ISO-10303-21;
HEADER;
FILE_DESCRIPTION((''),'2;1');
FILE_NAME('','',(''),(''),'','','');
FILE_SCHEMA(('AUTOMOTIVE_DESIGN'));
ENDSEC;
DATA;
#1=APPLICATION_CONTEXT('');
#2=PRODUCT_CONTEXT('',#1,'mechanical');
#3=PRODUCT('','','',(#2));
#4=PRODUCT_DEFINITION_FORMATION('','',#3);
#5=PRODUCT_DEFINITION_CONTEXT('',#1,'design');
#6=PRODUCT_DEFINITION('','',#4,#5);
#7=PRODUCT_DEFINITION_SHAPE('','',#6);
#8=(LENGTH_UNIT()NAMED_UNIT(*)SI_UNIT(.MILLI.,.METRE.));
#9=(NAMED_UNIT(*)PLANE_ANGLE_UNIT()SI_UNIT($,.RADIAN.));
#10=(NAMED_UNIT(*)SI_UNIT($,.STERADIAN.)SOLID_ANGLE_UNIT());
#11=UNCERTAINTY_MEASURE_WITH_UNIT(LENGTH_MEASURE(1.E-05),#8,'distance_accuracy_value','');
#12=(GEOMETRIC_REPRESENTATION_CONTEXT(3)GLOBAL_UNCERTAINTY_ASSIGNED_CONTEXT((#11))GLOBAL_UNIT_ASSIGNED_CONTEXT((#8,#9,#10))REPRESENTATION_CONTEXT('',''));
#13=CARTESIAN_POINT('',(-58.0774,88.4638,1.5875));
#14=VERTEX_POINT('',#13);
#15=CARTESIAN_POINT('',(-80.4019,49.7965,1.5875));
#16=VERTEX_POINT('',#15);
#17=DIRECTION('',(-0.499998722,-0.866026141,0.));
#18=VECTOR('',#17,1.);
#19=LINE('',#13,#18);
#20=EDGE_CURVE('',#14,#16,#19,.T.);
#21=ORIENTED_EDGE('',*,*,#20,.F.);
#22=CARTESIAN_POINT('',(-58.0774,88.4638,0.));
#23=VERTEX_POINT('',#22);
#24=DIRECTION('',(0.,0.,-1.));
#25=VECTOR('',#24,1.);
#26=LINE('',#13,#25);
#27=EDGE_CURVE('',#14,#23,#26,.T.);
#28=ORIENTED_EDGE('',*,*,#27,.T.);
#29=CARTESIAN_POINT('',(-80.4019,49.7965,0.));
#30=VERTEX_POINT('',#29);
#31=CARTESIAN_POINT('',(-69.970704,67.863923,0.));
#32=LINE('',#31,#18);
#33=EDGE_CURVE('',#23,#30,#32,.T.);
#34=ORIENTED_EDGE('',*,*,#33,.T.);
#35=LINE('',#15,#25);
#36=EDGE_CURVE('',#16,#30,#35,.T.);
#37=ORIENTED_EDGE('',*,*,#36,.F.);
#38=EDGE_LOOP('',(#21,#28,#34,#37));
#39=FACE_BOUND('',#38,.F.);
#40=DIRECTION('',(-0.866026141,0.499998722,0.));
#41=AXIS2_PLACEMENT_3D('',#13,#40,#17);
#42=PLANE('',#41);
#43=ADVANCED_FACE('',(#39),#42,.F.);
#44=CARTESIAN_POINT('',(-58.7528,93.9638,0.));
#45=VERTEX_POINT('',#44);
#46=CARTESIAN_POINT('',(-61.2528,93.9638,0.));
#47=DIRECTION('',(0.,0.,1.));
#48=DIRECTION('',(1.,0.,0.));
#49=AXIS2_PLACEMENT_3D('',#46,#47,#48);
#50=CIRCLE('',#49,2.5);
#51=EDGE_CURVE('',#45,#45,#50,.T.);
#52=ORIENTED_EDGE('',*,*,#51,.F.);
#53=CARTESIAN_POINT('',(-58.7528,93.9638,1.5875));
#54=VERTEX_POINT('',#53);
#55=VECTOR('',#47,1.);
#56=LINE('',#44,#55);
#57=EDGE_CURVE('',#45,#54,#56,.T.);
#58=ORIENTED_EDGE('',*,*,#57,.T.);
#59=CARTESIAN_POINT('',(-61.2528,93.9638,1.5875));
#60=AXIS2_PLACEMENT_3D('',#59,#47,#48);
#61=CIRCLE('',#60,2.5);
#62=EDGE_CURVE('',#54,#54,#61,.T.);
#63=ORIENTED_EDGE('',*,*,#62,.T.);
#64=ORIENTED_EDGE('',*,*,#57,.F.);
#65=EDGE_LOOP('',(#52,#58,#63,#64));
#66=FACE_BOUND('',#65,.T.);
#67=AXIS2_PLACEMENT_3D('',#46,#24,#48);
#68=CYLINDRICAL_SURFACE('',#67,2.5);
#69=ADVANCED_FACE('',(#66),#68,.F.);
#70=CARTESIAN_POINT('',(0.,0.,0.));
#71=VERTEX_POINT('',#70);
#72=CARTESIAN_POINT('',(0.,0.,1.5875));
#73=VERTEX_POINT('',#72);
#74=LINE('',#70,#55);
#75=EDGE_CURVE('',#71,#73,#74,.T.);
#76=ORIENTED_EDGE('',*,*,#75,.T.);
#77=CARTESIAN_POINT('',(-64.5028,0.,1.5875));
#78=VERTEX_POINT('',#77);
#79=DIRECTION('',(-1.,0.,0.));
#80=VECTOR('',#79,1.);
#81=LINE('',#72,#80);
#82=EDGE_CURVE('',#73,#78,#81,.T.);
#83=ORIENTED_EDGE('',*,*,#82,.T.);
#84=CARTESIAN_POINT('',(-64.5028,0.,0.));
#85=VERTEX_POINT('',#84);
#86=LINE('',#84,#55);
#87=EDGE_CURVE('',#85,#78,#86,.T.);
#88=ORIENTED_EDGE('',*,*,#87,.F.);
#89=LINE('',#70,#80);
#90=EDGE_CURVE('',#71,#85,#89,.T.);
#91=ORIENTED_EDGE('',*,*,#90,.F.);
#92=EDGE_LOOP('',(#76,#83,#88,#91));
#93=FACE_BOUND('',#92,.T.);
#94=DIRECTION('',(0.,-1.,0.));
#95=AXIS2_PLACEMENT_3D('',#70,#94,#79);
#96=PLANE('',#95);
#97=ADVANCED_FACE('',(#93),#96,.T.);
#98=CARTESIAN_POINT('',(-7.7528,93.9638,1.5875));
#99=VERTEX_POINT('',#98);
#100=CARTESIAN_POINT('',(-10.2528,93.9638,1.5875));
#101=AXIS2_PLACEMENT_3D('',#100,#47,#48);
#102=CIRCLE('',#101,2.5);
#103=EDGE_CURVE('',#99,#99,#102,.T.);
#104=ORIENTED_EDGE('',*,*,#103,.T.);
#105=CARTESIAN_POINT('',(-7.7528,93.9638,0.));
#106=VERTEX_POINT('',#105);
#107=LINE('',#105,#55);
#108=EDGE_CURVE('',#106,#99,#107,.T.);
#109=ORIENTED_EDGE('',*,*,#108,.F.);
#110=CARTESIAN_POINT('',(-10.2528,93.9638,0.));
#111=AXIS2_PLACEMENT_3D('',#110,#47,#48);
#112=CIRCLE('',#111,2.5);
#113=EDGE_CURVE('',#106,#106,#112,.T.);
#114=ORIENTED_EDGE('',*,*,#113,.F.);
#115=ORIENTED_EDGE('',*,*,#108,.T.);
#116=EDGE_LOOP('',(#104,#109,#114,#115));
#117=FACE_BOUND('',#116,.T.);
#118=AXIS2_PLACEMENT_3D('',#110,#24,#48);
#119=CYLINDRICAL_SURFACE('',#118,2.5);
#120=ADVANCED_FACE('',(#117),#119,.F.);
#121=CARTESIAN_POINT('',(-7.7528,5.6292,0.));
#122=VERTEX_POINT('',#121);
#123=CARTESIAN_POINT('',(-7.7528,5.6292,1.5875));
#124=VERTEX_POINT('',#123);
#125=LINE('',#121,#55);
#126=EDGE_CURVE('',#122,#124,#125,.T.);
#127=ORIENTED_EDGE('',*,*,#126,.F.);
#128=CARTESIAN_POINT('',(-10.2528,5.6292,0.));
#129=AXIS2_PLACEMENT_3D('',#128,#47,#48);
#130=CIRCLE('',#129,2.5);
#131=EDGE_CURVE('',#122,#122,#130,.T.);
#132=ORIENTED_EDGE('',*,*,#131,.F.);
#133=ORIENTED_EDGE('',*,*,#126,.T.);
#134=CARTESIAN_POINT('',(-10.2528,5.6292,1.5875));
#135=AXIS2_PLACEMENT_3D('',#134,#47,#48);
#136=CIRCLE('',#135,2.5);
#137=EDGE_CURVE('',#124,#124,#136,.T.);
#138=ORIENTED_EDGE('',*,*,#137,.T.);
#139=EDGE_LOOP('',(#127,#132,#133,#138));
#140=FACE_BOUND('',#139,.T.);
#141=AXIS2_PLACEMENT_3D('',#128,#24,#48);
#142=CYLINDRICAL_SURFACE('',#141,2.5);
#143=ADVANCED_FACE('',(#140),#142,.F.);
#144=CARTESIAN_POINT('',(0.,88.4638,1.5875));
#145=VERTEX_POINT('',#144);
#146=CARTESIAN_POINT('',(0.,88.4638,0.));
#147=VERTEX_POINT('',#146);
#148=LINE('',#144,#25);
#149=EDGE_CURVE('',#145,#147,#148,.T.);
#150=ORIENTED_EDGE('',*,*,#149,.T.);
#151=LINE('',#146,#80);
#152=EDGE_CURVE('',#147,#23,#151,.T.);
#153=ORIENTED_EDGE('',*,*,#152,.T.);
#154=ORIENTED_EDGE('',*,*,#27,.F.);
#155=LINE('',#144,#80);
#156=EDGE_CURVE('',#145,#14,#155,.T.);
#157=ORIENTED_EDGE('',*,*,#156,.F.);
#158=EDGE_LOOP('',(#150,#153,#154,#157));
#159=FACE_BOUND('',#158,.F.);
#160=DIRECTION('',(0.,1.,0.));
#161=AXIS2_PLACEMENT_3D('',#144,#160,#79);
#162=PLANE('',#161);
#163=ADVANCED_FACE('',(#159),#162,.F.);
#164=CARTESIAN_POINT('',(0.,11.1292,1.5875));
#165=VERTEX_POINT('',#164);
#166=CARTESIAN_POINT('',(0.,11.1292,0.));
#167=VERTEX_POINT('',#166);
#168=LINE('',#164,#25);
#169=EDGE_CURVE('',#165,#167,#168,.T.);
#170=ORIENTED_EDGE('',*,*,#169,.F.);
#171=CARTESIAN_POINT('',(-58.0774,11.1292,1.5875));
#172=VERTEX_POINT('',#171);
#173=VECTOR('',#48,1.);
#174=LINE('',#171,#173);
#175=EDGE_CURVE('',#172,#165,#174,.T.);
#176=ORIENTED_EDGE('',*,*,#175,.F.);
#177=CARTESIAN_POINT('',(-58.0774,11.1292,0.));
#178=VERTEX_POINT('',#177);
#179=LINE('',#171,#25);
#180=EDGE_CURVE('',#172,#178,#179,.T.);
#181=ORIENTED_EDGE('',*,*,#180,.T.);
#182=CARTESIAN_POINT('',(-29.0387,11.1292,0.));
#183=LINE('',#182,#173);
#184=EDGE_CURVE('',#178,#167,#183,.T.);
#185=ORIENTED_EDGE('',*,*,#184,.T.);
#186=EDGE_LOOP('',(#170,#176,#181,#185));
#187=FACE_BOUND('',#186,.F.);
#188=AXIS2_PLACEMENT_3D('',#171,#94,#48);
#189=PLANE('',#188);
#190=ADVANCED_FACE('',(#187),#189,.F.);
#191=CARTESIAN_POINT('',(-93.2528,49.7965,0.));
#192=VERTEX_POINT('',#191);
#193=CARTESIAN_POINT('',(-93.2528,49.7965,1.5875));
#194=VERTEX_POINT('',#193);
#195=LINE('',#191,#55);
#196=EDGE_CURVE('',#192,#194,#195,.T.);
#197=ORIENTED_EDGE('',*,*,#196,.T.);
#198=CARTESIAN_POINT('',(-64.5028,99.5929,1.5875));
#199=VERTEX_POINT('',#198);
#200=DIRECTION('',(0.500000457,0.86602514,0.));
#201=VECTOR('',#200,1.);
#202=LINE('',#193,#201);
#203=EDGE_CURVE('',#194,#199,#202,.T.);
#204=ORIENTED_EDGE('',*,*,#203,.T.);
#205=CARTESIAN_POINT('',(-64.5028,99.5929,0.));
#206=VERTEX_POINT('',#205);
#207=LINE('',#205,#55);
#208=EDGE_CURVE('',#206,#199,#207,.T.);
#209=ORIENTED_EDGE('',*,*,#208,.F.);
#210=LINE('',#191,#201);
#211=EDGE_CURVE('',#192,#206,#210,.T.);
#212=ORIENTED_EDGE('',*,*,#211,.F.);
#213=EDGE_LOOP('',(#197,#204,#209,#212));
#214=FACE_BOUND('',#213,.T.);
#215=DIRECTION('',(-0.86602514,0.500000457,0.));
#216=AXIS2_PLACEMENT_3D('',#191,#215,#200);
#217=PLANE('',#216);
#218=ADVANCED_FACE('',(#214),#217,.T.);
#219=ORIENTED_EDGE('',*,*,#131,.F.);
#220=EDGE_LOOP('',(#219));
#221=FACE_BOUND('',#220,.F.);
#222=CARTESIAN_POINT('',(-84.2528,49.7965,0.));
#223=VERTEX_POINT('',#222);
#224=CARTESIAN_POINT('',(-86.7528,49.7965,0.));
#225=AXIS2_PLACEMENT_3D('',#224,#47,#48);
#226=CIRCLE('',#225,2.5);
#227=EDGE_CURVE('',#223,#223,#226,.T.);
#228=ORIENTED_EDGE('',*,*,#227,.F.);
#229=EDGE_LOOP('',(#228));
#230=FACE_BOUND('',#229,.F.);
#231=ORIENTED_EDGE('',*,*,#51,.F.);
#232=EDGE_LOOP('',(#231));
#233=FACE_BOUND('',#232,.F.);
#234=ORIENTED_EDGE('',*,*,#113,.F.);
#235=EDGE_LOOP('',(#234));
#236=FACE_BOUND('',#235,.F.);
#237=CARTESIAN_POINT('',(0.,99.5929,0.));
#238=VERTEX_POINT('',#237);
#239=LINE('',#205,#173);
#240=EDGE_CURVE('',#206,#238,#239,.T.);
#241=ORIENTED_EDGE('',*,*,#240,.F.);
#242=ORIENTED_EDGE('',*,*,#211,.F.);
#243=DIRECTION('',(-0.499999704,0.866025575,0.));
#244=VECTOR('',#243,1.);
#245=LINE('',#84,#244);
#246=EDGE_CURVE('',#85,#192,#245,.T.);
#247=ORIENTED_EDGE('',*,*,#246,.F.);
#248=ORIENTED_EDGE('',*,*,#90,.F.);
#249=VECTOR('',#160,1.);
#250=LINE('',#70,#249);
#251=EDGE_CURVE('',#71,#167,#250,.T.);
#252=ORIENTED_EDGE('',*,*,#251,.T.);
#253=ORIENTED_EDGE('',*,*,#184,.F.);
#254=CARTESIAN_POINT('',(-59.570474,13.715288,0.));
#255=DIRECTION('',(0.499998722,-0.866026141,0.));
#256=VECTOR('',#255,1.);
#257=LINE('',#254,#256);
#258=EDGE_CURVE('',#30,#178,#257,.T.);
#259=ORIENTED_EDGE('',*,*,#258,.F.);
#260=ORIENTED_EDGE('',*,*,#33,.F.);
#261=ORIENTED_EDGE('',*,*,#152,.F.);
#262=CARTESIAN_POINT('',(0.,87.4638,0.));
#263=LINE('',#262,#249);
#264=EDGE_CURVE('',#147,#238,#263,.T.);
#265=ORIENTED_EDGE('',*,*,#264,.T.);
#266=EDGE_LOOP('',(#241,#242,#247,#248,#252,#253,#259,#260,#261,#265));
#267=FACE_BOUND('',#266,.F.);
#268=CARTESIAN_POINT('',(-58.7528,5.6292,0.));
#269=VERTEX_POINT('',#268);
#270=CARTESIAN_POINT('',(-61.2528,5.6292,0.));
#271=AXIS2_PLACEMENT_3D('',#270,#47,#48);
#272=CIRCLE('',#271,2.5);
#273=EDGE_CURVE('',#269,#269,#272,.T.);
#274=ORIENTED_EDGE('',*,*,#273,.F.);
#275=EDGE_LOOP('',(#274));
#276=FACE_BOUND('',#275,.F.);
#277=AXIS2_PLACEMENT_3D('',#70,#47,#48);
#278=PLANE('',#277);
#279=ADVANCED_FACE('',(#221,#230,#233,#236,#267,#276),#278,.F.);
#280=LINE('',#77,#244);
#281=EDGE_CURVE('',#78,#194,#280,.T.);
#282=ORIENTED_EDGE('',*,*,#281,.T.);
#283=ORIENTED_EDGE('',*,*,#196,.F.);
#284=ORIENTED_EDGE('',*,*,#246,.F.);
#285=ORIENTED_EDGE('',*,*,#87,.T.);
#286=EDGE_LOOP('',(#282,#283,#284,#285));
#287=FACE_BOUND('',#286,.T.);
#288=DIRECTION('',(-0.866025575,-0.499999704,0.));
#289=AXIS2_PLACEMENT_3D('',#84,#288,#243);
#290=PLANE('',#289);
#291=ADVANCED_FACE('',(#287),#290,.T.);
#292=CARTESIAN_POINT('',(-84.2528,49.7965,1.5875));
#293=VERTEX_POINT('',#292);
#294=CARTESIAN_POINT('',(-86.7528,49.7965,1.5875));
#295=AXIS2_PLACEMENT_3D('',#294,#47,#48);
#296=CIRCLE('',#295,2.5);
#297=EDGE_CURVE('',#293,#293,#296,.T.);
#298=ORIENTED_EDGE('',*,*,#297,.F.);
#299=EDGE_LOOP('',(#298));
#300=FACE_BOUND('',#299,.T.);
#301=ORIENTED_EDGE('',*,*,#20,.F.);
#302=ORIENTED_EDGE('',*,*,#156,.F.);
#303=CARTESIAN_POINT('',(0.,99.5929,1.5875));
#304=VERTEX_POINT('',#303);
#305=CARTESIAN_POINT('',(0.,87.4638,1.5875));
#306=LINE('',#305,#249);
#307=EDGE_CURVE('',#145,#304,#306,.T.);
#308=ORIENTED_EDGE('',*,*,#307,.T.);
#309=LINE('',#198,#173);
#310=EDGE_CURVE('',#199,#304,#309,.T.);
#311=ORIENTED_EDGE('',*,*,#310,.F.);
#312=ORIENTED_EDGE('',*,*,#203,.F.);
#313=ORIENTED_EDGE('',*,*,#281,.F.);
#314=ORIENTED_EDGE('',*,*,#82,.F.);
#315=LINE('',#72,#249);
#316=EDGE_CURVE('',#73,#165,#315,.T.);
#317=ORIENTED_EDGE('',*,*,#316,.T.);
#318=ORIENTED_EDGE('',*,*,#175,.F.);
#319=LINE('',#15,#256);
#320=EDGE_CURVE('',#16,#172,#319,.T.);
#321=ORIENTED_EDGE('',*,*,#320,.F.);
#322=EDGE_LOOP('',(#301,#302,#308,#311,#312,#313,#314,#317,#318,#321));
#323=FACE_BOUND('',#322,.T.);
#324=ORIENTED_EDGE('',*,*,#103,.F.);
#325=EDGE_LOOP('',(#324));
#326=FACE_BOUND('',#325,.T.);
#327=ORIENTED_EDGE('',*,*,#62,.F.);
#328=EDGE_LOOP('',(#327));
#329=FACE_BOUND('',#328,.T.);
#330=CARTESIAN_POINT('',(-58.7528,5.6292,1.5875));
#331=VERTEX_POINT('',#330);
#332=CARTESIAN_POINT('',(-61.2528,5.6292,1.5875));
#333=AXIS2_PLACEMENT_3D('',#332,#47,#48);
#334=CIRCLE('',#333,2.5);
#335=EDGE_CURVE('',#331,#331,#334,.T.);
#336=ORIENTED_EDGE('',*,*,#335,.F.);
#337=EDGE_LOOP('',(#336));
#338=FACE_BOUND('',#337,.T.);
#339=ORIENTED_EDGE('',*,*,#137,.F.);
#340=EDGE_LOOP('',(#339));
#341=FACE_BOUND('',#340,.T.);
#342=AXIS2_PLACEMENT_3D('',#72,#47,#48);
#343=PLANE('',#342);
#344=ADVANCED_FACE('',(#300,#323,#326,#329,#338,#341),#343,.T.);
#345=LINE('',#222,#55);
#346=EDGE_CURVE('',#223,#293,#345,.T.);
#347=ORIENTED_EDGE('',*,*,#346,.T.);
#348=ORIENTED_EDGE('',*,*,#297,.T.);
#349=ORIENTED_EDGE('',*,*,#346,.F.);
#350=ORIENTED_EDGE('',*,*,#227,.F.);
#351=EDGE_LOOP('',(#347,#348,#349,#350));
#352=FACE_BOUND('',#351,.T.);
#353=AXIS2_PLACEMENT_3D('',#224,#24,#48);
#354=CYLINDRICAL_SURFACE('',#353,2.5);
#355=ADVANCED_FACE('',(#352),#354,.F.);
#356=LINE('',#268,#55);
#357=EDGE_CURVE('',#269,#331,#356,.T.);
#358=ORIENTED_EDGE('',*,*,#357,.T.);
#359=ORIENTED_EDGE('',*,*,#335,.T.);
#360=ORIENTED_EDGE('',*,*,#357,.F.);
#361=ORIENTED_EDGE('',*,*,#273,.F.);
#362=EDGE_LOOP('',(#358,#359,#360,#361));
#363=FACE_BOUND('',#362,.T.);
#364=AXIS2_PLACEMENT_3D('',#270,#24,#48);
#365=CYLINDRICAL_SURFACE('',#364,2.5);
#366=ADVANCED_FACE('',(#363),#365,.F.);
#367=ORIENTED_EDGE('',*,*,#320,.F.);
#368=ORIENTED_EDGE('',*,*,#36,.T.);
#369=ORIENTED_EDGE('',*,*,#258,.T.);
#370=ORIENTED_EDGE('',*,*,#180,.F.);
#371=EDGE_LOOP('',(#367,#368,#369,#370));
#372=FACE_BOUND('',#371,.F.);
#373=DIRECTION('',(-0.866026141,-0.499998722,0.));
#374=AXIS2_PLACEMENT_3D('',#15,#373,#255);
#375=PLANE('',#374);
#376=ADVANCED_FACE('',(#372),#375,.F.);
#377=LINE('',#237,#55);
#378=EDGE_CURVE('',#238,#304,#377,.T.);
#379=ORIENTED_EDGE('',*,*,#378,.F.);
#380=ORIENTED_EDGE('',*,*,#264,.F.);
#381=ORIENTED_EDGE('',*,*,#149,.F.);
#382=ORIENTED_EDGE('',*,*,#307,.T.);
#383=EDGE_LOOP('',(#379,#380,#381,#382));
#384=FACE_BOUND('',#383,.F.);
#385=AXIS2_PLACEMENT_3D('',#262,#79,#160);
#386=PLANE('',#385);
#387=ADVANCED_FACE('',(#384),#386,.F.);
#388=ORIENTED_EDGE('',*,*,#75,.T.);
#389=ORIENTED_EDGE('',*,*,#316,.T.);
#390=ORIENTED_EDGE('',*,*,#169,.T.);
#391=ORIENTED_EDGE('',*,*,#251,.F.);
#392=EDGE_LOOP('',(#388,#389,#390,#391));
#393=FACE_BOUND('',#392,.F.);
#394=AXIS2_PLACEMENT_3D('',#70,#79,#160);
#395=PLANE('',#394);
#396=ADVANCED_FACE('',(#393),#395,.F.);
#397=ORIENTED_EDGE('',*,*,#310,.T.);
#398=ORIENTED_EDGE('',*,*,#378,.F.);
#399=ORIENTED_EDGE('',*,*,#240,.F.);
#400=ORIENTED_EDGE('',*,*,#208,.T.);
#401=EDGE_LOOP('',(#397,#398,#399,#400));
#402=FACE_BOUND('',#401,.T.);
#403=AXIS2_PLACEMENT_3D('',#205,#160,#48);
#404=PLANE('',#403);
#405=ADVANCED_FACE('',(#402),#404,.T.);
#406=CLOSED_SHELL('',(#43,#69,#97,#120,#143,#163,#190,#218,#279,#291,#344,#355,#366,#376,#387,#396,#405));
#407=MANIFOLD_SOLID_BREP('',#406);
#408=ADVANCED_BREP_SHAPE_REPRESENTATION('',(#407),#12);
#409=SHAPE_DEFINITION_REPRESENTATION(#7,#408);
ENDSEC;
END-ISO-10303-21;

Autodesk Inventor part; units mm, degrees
ref_plane "YZ Plane" through (0, 0, 0) normal (1, 0, 0) x (0, 1, 0)
ref_plane "XZ Plane" through (0, 0, 0) normal (0, 1, 0) x (-1, 0, 0)
ref_plane "XY Plane" through (0, 0, 0) normal (0, 0, 1) x (1, 0, 0)
sketch "Sketch1" plane through (0, 0, 0) normal (0, 0, 1) x (1, 0, 0)
  circle A0 centre (-10.2528, 5.6292) radius 2.5
  circle A1 centre (-61.2528, 93.9638) radius 2.5
  circle A2 centre (-10.2528, 93.9638) radius 2.5
  circle A3 centre (-86.7528, 49.7965) radius 2.5
  circle A4 centre (-61.2528, 5.6292) radius 2.5
  line L0 (0, 0) -> (-64.5028, 0)
  line L1 (0, 0) -> (0, 12.1292)
  line L2 (0, 12.1292) -> (-57.5, 12.1292)
  line L3 (-57.5, 12.1292) -> (-79.2472, 49.7965)
  line L4 (-79.2472, 49.7965) -> (-57.5, 87.4638)
  line L5 (-57.5, 87.4638) -> (0, 87.4638)
  line L6 (0, 87.4638) -> (0, 99.5929)
  line L7 (-64.5028, 99.5929) -> (0, 99.5929)
  line L8 (-93.2528, 49.7965) -> (-64.5028, 99.5929)
  line L9 (-64.5028, 0) -> (-93.2528, 49.7965)
  dimension "d0" = 75.3346
  dimension "d1" = 99.5929
  dimension "d2" = 57.5
  dimension "d3" = 12.1292
  dimension "d4" = 120
  dimension "d5" = 120
  dimension "d6" = 12.1292
  dimension "d7" = 12.1292
  dimension "d8" = 10.2528
  dimension "d9" = 3.25
  dimension "d10" = 6.5
  dimension "d11" = 5.6292
  dimension "d12" = 5.6292
  dimension "d13" = 10.2528
  dimension "d14" = 3.25
  dimension "d15" = 5.6292
  dimension "d16" = 5
  dimension "d17" = 5
  dimension "d18" = 5
  dimension "d19" = 5
  dimension "d20" = 5
extrude "Extrusion1" add sketch "Sketch1" along normal blind 1.5875
sketch "Sketch2" plane through (0, 0, 1.5875) normal (0, 0, 1) x (1, 0, 0)
  line L0 (-57.5, 87.4638) -> (0, 87.4638) projected
  line L1 (-79.2472, 49.7965) -> (-57.5, 87.4638) projected
  line L2 (-57.5, 12.1292) -> (-79.2472, 49.7965) projected
  line L3 (0, 12.1292) -> (-57.5, 12.1292) projected
  line L4 (0, 88.4638) -> (-58.0774, 88.4638)
  line L5 (-58.0774, 88.4638) -> (-80.4019, 49.7965)
  line L6 (-80.4019, 49.7965) -> (-58.0774, 11.1292)
  line L7 (-58.0774, 11.1292) -> (0, 11.1292)
  line L8 (0, 87.4638) -> (0, 88.4638)
  line L9 (0, 87.4638) -> (0, 99.5929) projected
  line L10 (0, 0) -> (0, 12.1292) projected
  line L11 (0, 11.1292) -> (0, 12.1292)
  dimension "d23" = 1
extrude "Extrusion2" cut sketch "Sketch2" against normal through all
equation "\"d6\" = d3"
equation "\"d7\" = d3"
properties part number "AW01" material "Stainless Steel"
